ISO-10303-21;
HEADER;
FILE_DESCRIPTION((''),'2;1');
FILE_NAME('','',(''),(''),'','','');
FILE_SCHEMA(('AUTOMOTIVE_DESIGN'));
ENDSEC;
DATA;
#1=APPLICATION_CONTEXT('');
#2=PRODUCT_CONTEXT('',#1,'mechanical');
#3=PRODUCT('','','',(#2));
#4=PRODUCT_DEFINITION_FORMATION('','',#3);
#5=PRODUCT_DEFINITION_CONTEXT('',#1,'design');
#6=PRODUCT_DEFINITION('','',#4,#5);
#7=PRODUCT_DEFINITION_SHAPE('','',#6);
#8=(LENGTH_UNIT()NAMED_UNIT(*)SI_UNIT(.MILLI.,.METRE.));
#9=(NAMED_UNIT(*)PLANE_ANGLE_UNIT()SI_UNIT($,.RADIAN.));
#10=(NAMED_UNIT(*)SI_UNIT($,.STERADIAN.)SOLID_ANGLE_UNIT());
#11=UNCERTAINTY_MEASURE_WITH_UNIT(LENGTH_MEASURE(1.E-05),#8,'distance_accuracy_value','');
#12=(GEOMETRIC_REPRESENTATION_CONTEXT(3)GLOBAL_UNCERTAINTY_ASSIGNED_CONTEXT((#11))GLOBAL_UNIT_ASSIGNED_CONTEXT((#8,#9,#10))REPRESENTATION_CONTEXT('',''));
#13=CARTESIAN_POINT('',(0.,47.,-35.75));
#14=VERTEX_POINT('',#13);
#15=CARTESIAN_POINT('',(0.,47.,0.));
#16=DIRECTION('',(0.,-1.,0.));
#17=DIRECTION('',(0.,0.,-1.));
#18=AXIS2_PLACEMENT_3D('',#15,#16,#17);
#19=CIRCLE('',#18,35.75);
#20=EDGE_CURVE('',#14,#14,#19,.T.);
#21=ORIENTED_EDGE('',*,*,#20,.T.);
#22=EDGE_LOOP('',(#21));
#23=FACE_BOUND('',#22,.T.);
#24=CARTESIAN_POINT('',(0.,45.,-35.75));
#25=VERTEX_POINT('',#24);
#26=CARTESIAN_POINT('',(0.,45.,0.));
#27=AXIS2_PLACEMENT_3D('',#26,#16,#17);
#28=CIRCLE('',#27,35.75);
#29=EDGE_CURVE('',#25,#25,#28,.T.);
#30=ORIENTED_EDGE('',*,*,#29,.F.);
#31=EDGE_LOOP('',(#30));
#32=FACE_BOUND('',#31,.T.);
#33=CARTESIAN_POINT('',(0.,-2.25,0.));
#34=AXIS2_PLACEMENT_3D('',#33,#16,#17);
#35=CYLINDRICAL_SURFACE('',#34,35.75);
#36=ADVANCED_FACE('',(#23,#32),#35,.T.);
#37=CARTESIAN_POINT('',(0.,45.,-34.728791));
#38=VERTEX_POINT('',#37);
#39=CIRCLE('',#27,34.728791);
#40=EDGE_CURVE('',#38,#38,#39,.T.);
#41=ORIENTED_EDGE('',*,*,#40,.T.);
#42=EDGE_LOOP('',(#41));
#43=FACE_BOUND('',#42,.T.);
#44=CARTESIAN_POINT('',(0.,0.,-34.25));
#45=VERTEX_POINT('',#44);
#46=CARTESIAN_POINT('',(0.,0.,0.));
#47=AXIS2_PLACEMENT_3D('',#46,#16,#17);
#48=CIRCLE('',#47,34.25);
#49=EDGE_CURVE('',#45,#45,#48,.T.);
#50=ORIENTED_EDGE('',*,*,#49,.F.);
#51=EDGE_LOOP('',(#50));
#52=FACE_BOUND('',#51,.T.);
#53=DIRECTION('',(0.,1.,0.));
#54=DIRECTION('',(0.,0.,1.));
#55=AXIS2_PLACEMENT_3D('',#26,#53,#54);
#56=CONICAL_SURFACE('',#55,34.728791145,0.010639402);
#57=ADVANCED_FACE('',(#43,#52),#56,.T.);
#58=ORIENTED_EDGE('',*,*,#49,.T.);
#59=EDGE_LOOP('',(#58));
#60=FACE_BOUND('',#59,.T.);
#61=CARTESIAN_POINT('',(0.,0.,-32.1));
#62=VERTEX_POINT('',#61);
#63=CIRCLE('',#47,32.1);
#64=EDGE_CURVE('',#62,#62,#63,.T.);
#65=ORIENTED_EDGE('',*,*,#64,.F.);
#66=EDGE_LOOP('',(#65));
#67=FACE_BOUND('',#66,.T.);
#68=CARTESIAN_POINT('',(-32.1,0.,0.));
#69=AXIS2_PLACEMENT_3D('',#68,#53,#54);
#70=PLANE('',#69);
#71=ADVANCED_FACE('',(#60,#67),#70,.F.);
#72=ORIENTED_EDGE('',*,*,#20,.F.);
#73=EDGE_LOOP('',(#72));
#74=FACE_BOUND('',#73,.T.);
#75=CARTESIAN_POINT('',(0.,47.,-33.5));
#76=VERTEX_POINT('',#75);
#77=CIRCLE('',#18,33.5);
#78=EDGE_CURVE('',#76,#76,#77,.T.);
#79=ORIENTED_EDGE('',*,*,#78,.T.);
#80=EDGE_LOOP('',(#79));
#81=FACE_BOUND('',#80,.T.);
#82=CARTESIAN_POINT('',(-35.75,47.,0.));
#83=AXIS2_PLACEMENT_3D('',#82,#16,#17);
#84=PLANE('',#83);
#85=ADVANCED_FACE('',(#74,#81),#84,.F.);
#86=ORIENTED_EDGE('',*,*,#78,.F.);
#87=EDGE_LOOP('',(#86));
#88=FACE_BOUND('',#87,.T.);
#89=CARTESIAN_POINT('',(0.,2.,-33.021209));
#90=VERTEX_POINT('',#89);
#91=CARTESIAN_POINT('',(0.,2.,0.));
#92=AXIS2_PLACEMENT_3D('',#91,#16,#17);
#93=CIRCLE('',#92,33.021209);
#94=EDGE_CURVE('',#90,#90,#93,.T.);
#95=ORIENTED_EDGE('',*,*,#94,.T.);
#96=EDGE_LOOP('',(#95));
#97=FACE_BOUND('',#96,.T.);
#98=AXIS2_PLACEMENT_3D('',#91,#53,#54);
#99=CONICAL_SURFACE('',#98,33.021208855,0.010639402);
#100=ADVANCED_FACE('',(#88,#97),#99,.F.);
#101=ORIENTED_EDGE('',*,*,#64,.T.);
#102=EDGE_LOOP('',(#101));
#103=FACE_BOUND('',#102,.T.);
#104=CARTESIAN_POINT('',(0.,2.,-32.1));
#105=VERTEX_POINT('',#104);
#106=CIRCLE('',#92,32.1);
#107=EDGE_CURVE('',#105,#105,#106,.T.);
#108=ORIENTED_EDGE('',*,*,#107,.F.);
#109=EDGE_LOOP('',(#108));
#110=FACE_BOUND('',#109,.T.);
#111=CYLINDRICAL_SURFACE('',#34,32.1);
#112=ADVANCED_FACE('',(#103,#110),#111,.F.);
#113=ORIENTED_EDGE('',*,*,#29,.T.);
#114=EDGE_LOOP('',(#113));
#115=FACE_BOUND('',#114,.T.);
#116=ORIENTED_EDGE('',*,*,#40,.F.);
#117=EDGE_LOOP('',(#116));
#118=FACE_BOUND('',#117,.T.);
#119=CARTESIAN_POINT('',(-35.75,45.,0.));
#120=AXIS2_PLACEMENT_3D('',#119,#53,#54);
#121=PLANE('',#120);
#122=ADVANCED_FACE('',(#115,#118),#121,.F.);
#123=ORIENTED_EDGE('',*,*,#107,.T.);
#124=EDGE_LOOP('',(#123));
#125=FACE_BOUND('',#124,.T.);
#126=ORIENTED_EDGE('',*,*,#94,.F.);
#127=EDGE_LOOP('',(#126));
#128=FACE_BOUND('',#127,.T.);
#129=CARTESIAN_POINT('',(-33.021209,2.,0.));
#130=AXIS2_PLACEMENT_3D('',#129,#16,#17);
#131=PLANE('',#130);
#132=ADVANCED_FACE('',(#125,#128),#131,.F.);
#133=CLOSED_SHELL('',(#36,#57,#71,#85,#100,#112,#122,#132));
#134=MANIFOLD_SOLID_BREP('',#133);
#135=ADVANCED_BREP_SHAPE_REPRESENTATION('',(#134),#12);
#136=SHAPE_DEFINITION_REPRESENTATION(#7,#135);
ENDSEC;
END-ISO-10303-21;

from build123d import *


with BuildPart() as part:
    # 草图3 → 旋转1 (revolve)
    with BuildSketch(Plane.XY, mode=Mode.PRIVATE) as revolve_1_sk:
        Polygon((-34.728791145, 45), (-34.25, 0), (-32.1, 0), (-32.1, 2), (-33.021208855, 2), (-33.5, 47), (-35.75, 47), (-35.75, 45), align=None)
    revolve(revolve_1_sk.sketch.rotate(Axis((0, -2.25, 0), (0, 1, 0)), 270), axis=Axis((0, -2.25, 0), (0, 1, 0)))


solid = part.part
